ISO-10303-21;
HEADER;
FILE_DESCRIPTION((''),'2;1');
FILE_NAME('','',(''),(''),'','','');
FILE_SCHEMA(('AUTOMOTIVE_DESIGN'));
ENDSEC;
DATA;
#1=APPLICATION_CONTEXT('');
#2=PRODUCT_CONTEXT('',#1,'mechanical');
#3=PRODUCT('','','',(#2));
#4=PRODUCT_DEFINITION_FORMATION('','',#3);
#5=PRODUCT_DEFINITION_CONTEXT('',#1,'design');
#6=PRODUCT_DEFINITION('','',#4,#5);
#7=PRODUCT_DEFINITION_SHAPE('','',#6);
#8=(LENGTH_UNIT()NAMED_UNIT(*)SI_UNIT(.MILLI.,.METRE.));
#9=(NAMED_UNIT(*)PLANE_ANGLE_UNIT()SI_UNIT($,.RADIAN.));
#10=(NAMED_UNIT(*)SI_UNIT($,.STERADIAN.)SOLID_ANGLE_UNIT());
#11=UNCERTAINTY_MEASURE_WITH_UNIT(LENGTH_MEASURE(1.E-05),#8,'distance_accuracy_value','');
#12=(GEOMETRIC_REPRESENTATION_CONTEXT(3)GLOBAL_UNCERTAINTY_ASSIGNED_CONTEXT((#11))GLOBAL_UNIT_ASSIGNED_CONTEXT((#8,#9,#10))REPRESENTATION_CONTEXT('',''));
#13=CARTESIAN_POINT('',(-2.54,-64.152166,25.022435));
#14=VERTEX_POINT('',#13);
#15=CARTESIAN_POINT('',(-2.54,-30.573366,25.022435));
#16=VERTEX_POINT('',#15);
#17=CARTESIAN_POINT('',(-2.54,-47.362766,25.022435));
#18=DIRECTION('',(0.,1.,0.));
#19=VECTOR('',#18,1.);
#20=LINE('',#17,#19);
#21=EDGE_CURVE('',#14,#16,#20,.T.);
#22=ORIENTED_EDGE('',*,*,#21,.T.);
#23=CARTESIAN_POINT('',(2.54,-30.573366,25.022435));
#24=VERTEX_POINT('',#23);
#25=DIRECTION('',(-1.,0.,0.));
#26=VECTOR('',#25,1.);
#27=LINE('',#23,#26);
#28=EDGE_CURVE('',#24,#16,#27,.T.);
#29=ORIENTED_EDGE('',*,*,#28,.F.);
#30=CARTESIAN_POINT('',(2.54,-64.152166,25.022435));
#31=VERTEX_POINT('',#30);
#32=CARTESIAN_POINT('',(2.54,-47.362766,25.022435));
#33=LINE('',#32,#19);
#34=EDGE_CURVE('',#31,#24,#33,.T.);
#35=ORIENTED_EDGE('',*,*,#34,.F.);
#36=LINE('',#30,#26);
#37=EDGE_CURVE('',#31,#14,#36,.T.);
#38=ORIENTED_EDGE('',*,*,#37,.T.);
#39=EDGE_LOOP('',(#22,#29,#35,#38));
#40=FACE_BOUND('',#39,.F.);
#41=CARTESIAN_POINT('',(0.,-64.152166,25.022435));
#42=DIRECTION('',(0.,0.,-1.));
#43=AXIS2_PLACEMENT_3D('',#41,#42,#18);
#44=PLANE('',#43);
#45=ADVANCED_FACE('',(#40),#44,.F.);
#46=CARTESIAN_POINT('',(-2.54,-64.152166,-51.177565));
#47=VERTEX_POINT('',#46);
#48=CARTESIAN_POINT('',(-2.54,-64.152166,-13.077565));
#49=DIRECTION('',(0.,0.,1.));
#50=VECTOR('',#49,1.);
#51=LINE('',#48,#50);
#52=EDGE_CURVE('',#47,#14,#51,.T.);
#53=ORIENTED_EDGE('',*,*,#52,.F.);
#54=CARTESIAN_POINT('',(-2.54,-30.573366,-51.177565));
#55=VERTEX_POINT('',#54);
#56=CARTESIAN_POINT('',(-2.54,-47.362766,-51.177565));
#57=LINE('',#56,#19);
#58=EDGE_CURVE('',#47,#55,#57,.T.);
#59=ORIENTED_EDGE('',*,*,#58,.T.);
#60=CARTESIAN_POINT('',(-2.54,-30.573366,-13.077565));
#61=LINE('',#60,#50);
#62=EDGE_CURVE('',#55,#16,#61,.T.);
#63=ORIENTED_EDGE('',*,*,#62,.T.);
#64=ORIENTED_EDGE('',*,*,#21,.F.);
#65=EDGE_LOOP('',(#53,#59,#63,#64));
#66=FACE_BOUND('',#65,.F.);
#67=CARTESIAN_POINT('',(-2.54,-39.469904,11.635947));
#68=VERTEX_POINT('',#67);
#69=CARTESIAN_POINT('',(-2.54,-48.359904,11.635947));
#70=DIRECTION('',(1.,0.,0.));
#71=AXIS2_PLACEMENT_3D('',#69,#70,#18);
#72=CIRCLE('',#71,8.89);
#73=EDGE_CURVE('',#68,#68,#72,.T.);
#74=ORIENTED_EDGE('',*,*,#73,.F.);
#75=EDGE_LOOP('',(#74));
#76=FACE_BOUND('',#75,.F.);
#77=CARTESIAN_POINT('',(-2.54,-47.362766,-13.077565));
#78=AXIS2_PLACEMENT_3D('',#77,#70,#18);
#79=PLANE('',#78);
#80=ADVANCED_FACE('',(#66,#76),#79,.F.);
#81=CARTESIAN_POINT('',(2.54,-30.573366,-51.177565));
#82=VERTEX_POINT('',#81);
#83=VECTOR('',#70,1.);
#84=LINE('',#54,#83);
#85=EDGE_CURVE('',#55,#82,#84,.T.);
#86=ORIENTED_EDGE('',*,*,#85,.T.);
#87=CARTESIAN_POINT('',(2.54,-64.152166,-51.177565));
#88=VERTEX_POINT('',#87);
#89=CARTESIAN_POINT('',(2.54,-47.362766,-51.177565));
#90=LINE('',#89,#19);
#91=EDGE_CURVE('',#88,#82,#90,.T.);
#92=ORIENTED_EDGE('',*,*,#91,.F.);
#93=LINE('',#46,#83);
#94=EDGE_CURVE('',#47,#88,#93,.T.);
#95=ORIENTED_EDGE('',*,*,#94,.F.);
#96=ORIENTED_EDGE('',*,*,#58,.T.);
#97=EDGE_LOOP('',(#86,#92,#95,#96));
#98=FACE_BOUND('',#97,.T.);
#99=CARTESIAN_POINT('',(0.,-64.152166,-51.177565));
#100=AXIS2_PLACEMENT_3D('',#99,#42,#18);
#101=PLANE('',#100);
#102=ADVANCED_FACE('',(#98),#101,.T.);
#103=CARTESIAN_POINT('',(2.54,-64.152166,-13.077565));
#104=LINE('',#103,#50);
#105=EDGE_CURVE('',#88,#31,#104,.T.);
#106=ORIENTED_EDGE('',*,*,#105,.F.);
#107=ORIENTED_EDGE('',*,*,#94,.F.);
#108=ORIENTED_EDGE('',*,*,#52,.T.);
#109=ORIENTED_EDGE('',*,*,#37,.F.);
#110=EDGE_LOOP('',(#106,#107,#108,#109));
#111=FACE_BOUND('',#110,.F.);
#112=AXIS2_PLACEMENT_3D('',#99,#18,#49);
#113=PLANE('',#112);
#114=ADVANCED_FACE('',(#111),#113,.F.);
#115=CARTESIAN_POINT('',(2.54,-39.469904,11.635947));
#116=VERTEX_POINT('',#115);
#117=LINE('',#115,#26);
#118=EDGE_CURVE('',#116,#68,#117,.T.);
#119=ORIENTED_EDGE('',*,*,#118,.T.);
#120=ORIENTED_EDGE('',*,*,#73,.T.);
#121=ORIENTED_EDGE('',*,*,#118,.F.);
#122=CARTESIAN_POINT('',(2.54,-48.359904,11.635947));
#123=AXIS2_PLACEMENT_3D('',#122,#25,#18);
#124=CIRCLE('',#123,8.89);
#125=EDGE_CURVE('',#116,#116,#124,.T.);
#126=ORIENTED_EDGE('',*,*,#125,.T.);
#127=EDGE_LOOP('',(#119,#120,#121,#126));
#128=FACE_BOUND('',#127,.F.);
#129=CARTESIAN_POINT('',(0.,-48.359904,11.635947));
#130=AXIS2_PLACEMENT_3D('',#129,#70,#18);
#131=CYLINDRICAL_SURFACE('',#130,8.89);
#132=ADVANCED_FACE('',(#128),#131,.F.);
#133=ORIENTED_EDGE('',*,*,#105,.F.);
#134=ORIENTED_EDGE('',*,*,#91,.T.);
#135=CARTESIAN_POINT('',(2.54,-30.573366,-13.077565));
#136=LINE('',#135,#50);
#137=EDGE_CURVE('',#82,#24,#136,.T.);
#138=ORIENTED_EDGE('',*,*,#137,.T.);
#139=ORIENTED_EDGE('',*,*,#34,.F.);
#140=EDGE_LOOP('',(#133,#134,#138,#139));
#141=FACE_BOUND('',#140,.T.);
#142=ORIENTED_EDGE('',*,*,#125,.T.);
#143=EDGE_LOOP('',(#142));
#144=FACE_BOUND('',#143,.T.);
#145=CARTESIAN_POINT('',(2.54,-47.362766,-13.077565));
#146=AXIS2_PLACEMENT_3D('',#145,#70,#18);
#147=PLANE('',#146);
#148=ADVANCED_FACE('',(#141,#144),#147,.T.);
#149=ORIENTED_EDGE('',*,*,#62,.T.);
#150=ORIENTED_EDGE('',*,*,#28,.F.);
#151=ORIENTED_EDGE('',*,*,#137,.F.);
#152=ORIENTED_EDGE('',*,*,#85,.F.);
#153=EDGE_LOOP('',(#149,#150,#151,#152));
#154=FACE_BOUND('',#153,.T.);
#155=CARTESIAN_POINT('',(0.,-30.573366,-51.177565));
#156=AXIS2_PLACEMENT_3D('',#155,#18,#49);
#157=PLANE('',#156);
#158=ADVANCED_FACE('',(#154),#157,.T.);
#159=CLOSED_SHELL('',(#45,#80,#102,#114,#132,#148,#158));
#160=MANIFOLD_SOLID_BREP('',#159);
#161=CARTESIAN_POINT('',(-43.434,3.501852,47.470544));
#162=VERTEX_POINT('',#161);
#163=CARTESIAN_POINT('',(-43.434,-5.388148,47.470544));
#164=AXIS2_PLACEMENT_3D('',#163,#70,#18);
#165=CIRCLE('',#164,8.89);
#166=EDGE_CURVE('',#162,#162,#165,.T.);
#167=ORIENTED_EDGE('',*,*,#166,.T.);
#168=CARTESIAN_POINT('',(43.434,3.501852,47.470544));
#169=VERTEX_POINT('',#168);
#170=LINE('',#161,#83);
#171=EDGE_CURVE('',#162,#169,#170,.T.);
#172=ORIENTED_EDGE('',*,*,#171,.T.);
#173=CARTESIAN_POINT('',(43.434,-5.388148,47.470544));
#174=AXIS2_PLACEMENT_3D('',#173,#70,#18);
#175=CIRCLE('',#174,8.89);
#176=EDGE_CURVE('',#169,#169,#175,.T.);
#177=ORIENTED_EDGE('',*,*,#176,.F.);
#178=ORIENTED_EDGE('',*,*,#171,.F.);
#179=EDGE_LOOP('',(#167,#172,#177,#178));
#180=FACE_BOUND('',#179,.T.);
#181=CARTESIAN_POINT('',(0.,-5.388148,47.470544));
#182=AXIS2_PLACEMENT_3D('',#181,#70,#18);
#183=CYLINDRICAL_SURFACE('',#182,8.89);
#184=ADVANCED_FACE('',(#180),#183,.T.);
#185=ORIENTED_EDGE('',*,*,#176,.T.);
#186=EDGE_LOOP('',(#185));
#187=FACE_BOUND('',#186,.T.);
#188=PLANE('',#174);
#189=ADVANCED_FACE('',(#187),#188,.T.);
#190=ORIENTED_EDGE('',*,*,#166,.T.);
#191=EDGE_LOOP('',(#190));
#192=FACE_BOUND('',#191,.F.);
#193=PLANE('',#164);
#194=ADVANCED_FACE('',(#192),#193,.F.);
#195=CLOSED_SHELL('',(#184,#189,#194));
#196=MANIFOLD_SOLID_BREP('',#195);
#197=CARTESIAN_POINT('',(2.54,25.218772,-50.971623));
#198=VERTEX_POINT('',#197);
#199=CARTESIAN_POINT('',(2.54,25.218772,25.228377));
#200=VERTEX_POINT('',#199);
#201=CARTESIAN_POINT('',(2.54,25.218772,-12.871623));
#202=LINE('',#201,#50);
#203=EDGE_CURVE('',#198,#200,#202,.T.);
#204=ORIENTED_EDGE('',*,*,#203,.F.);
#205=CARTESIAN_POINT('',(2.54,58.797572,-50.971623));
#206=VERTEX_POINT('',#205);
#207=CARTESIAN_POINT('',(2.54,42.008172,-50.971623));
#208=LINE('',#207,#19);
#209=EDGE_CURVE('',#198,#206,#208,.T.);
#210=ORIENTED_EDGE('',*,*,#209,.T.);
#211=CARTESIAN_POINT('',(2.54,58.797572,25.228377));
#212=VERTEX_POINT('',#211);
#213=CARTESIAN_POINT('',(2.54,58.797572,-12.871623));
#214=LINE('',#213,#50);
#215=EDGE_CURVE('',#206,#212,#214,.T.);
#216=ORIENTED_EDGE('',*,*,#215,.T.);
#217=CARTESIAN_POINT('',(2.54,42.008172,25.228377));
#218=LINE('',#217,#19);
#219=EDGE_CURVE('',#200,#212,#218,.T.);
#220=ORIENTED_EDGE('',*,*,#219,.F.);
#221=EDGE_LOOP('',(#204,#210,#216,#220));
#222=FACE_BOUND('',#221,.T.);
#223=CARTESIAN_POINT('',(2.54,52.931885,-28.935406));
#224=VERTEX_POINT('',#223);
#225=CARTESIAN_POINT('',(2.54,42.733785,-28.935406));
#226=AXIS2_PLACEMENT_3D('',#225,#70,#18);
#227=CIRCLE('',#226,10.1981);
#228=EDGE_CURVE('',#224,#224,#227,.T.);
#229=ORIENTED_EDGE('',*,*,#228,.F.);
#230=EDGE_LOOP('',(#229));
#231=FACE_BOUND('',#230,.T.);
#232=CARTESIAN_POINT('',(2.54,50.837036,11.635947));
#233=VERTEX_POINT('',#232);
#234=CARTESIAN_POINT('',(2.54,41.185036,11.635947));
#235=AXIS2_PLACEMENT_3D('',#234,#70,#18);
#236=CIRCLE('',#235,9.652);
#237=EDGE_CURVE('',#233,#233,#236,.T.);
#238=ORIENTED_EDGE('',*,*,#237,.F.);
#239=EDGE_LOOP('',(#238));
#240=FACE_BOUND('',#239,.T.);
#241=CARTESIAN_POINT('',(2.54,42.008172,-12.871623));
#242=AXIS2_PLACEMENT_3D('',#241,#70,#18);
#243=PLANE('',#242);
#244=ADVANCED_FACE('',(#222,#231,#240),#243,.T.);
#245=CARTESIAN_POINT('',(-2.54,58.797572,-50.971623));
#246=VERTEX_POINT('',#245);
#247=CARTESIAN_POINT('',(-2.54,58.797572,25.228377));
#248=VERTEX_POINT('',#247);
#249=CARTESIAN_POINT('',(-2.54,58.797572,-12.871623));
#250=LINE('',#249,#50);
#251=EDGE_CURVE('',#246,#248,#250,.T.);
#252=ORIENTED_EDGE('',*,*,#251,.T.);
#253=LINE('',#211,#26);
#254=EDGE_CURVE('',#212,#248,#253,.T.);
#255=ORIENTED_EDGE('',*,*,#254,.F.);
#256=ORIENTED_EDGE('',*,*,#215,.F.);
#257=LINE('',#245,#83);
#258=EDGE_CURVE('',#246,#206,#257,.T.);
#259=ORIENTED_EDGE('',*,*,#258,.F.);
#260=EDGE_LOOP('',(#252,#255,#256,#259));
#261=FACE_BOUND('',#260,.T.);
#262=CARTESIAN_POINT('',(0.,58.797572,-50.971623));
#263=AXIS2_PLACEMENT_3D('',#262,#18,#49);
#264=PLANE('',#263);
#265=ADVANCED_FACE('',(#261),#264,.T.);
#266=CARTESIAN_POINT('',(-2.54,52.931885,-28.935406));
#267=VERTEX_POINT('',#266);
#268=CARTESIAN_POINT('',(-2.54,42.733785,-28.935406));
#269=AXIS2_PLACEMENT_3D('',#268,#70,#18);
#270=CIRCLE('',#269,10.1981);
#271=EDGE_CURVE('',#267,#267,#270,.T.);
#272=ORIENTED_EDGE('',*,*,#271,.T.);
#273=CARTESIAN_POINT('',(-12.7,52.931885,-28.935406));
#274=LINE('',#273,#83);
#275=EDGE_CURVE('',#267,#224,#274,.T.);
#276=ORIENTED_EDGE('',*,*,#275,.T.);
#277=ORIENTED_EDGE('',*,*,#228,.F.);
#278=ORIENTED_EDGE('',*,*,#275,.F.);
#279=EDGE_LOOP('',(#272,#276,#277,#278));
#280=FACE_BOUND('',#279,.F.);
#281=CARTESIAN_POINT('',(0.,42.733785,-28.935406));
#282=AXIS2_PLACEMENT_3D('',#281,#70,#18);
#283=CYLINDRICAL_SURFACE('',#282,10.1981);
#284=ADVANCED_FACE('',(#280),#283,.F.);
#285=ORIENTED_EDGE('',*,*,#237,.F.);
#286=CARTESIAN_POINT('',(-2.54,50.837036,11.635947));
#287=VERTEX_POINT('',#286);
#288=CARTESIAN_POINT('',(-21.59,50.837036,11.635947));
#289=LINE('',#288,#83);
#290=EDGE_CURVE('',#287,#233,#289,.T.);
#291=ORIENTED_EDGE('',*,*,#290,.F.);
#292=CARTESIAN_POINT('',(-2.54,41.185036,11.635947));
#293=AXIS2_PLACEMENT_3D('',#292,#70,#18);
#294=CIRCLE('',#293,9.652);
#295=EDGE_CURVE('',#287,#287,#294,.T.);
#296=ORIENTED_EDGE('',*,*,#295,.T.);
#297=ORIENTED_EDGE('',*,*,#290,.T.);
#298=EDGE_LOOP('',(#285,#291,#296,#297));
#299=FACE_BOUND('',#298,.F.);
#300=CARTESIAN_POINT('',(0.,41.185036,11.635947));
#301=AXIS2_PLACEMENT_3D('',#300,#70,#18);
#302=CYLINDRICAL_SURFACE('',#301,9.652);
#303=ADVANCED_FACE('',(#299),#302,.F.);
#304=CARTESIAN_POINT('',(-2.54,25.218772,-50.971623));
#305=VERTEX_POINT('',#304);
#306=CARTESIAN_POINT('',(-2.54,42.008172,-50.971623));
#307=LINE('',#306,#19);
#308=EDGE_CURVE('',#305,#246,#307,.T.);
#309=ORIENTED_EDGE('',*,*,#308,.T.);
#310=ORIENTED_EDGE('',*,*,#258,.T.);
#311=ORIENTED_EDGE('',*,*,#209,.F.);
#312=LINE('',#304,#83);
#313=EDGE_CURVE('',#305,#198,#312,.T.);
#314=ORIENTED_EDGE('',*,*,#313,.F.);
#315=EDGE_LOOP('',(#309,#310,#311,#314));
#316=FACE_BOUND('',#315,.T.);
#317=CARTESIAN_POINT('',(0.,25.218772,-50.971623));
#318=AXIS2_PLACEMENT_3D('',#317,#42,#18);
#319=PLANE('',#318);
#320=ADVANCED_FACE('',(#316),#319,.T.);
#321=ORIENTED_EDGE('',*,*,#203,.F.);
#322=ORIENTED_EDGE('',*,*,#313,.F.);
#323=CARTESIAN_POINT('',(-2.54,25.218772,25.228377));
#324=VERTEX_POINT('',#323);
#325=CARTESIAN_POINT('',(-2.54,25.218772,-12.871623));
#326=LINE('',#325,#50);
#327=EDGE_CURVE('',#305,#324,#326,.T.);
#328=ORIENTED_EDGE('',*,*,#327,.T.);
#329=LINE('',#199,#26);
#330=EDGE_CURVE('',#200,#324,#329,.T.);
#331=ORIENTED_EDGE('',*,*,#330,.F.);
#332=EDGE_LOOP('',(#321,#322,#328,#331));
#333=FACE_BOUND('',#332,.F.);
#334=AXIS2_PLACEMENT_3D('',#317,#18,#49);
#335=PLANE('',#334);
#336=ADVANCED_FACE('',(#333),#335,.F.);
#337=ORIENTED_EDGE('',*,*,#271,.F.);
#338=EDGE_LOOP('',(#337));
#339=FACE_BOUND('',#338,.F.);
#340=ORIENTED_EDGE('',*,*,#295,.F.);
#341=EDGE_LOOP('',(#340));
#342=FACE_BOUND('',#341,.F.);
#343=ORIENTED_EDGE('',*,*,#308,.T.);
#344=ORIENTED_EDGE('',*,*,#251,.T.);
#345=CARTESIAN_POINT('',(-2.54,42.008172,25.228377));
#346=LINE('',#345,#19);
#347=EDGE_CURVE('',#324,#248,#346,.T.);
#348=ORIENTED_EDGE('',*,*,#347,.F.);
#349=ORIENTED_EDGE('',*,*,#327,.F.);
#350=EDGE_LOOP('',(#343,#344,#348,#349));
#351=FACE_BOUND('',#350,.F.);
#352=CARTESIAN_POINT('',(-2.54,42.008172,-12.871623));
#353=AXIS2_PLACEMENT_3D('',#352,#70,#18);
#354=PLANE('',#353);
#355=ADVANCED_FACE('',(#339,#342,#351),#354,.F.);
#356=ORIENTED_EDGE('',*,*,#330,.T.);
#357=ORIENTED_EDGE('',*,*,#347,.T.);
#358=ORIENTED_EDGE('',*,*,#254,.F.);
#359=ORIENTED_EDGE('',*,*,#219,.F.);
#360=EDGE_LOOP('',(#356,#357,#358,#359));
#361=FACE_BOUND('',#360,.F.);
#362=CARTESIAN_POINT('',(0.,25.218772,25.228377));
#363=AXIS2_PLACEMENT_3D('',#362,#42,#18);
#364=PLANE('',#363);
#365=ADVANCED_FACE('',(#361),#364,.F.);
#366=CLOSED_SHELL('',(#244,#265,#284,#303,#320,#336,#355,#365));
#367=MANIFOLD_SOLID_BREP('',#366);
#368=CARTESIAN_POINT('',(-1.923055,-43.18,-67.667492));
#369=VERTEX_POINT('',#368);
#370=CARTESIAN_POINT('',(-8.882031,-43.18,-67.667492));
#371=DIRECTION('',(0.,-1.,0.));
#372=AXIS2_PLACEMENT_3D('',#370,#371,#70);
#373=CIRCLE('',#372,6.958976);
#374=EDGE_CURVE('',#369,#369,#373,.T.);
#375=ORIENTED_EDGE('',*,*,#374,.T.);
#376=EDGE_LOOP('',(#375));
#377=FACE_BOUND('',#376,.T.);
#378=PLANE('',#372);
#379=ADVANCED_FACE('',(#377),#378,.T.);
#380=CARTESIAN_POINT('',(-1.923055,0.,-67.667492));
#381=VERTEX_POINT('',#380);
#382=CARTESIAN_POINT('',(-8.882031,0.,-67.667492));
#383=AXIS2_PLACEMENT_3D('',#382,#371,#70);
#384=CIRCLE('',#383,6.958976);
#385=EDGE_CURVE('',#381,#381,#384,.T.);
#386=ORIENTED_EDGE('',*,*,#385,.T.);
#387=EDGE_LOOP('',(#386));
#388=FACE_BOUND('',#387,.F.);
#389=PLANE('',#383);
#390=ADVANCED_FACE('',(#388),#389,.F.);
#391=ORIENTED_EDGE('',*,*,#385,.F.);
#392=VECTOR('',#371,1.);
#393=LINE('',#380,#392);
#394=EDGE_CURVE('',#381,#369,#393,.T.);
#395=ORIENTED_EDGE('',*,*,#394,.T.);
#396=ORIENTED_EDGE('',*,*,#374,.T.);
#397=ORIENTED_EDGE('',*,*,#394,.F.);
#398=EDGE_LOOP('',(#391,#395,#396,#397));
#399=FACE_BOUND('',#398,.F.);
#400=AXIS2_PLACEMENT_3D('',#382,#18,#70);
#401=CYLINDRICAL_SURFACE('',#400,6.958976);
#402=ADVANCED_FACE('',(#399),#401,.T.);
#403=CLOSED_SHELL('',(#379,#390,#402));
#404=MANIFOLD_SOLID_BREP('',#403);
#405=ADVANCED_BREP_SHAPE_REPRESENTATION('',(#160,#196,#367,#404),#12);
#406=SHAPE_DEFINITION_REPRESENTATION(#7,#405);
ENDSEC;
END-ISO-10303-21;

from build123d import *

# Parameters (mm, degrees)
F0_W     = 33.5788
F0_H     = 76.2
F1_DEPTH = 2.54
F0_R     = 8.89
F2_DEPTH = 43.434
F3_R     = 8.89
F3_R_2   = 9.652
F4_DEPTH = 21.59
F5_DEPTH = 12.7
F6_R     = 10.1981
F7_DEPTH = 12.7
F8_R     = 6.9589762649
F9_DEPTH = 43.18


with BuildPart() as f1:
    # F0 (on Right) → F1 (new body, symmetric)
    with BuildSketch(Plane.YZ):
        with Locations((-47.3627662474, -13.0775650084)):
            Rectangle(F0_W, F0_H)
    extrude(amount=F1_DEPTH, both=True)


with BuildPart() as f1b:
    # F0 (on Right) → F1, piece 2 (new body, symmetric)
    with BuildSketch(Plane.YZ):
        with Locations((42.0081718081, -12.8716225684)):
            Rectangle(F0_W, F0_H)
    extrude(amount=F1_DEPTH, both=True)


with BuildPart() as f2:
    # F0 (on Right) → F2 (new body, symmetric)
    with BuildSketch(Plane.YZ):
        with Locations((-5.388148129, 47.4705435336)):
            Circle(F0_R)
    extrude(amount=F2_DEPTH, both=True)


with BuildPart() as f4_tool:
    # F3 (on Right) → F4 (new body, symmetric)
    with BuildSketch(Plane.YZ):
        with Locations((-48.3599044383, 11.6359470412)):
            Circle(F3_R)
        with Locations((41.1850363016, 11.6359470412)):
            Circle(F3_R_2)
    extrude(amount=F4_DEPTH, both=True)


with BuildPart() as f1_1:
    add(f1.part)

    # F4: cut by f4_tool
    add(f4_tool.part, mode=Mode.SUBTRACT)

    # F3 (on Right) → F5 (cut, symmetric)
    with BuildSketch(Plane.YZ):
        with Locations((-48.3599044383, 11.6359470412)):
            Circle(F3_R)
        with Locations((41.1850363016, 11.6359470412)):
            Circle(F3_R_2)
    extrude(amount=F5_DEPTH, both=True, mode=Mode.SUBTRACT)


with BuildPart() as f1b_1:
    add(f1b.part)

    # F4: cut by f4_tool
    add(f4_tool.part, mode=Mode.SUBTRACT)

    # F6 (on Right) → F7 (cut, symmetric)
    with BuildSketch(Plane.YZ):
        with Locations((42.733784765, -28.935406357)):
            Circle(F6_R)
    extrude(amount=F7_DEPTH, both=True, mode=Mode.SUBTRACT)


with BuildPart() as f9:
    # F8 (on Front) → F9 (new body)
    with BuildSketch(Plane.XZ):
        with Locations((-8.8820308447, -67.667491734)):
            Circle(F8_R)
    extrude(amount=F9_DEPTH)


solid = Compound([f2.part, f1_1.part, f1b_1.part, f9.part])
